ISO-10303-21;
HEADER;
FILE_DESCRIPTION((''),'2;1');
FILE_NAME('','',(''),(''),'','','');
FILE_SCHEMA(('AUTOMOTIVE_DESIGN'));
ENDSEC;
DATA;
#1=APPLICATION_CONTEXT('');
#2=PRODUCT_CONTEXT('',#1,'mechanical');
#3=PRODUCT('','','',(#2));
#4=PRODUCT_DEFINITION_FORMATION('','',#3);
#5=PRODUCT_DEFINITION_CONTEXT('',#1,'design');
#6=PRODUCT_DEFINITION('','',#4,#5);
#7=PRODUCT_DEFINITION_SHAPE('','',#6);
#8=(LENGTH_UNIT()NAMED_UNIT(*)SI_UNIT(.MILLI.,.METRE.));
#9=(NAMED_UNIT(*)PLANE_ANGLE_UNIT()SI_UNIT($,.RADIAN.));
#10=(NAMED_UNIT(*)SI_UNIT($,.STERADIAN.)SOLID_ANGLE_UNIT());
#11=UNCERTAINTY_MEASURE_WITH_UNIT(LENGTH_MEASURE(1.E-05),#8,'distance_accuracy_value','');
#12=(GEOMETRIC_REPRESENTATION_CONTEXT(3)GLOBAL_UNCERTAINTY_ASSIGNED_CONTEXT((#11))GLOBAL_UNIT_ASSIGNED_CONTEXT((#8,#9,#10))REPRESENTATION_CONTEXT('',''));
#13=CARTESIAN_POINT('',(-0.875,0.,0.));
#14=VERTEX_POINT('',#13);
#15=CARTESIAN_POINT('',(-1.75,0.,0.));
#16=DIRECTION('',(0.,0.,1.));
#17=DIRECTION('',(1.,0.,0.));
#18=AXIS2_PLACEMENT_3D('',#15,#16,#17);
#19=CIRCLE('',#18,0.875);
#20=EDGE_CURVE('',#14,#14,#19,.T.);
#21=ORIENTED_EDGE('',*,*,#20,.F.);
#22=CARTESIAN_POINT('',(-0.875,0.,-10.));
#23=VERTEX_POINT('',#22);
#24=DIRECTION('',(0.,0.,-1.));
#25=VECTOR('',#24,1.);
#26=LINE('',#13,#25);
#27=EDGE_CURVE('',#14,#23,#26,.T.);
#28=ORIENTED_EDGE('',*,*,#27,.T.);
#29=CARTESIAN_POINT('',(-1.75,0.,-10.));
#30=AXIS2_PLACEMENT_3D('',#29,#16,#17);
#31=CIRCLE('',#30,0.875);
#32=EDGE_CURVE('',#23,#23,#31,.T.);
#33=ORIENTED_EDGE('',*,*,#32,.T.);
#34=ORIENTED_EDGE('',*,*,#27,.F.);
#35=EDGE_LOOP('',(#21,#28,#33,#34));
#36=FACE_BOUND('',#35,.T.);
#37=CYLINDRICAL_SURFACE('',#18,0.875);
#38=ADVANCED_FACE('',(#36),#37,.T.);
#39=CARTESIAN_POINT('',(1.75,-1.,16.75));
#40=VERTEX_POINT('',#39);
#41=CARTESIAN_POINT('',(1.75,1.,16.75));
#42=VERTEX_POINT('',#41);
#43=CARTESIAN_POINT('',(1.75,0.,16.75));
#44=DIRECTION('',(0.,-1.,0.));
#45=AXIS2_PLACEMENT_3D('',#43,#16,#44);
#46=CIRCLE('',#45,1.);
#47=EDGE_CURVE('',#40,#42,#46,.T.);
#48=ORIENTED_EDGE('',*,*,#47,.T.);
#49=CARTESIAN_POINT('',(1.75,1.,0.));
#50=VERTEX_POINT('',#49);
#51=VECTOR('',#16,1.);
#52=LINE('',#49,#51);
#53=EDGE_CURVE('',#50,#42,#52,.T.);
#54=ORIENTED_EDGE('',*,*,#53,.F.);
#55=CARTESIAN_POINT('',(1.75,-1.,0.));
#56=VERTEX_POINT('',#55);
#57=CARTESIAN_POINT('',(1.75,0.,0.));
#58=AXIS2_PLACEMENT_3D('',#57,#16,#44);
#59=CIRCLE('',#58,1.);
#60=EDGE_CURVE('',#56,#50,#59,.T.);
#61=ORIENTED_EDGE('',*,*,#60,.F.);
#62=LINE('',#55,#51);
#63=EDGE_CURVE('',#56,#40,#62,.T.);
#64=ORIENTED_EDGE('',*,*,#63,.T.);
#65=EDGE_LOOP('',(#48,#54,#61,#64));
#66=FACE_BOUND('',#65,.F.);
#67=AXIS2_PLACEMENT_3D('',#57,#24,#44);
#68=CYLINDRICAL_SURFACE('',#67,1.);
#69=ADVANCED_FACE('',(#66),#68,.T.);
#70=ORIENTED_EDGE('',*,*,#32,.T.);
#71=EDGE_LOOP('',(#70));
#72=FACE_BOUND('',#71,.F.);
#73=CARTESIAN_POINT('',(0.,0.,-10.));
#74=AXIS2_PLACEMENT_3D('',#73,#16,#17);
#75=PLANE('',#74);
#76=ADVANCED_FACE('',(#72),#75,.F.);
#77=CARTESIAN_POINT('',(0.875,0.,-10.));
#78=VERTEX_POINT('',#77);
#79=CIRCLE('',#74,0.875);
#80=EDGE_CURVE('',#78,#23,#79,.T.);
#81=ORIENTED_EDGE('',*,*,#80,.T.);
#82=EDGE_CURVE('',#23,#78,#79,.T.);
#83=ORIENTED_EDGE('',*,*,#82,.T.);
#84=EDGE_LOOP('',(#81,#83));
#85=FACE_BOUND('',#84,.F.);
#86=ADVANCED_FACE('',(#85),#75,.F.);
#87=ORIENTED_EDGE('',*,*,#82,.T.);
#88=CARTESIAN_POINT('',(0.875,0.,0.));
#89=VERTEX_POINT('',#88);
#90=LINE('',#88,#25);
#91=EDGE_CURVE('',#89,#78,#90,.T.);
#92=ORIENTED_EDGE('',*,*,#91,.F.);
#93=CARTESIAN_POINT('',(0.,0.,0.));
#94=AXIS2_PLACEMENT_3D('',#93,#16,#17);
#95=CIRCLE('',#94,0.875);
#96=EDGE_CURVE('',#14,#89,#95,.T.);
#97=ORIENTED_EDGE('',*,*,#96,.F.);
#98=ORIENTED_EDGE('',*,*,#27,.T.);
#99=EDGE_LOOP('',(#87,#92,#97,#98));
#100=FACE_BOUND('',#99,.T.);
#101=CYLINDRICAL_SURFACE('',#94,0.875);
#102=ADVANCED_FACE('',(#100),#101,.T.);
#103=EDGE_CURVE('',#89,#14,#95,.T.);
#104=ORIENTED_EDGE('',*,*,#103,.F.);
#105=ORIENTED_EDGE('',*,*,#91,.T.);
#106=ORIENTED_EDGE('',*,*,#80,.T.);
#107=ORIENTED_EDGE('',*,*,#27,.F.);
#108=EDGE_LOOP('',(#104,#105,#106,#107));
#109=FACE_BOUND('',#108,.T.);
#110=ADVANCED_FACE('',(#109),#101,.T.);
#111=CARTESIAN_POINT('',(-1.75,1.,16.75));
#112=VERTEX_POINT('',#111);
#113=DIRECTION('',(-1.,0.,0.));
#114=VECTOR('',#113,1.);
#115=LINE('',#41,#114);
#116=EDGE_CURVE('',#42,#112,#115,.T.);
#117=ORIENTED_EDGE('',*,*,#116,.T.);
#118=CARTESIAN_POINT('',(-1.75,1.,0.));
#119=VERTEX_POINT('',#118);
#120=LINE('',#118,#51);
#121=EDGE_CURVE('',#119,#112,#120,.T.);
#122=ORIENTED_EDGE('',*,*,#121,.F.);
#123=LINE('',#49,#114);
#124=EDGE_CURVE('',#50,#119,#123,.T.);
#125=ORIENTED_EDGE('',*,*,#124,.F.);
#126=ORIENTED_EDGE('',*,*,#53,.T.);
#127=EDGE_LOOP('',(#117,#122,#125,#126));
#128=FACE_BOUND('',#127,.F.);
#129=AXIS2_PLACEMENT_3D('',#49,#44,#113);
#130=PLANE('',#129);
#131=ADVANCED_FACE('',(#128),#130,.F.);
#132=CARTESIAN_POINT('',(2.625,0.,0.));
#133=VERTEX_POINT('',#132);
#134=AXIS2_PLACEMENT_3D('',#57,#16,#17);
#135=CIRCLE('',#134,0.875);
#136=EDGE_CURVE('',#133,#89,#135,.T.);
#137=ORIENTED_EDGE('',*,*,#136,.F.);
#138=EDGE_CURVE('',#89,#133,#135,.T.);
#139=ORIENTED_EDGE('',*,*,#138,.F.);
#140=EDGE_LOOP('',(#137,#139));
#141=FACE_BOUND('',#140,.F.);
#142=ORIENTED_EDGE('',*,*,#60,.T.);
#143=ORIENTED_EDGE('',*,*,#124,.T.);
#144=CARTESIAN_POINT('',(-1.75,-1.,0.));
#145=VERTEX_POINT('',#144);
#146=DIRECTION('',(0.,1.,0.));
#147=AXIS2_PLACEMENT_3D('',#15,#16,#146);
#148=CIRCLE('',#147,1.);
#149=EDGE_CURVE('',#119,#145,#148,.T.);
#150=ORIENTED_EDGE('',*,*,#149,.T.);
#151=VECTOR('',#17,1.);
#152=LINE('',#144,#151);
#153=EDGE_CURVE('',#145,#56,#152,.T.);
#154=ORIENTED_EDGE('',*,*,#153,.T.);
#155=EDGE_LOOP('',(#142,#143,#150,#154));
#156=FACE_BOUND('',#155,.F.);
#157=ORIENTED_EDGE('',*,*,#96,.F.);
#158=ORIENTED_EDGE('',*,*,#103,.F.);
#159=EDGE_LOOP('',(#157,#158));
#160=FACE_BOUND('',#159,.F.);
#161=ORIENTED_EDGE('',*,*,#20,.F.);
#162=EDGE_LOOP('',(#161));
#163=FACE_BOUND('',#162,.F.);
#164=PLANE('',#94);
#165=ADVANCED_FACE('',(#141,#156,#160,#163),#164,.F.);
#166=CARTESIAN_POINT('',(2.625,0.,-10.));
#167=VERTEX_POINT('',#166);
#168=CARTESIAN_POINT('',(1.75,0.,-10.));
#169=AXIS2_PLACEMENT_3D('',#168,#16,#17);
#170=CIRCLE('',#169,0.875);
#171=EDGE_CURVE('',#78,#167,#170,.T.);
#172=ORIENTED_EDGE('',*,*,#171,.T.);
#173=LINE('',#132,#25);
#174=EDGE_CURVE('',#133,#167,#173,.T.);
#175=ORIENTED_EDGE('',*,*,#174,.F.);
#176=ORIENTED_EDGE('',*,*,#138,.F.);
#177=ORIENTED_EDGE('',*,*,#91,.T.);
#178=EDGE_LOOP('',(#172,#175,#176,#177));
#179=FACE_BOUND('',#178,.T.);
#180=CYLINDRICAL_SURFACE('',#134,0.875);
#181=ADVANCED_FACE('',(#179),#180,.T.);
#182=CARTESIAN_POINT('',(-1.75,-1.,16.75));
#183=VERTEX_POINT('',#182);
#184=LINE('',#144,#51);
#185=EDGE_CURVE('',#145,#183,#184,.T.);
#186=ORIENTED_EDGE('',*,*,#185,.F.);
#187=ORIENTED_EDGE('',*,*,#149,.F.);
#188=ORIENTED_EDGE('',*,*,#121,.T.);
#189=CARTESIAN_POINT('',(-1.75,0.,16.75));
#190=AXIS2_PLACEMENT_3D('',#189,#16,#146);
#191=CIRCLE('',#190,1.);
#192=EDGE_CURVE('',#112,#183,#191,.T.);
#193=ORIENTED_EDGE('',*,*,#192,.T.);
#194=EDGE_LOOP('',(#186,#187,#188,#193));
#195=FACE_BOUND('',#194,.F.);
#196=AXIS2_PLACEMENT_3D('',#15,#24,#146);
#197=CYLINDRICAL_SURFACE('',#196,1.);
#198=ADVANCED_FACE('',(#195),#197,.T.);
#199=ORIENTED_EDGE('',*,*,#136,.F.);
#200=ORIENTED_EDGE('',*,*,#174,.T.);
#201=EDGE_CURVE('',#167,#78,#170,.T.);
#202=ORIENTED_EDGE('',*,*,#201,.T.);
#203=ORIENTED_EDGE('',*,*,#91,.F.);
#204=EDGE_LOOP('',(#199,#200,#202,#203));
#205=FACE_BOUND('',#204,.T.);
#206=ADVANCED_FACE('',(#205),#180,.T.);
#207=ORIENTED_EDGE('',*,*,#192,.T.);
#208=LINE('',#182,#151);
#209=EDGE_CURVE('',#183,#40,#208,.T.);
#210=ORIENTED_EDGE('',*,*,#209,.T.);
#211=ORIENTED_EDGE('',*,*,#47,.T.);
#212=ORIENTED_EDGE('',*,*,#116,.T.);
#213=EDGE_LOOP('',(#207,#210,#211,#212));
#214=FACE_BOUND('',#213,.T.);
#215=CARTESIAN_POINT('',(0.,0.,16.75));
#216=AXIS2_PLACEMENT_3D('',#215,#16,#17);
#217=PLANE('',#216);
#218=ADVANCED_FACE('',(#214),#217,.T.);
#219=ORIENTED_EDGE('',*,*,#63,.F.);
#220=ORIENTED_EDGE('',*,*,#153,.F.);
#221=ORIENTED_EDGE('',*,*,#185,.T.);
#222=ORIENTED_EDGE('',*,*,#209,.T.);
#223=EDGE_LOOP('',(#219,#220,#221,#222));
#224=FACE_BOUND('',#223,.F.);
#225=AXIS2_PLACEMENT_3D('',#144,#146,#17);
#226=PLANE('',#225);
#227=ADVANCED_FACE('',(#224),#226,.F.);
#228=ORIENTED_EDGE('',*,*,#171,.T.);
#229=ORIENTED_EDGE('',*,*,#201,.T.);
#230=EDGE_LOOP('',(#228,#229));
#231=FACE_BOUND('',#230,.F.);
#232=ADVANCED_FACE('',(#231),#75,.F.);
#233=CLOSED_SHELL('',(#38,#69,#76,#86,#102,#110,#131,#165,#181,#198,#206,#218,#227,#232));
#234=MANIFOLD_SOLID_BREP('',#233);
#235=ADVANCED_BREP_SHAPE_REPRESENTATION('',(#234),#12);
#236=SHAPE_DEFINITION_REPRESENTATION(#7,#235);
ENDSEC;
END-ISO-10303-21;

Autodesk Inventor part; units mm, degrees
ref_plane "YZ Plane" through (0, 0, 0) normal (1, 0, 0) x (0, 1, 0)
ref_plane "XZ Plane" through (0, 0, 0) normal (0, 1, 0) x (-1, 0, 0)
ref_plane "XY Plane" through (0, 0, 0) normal (0, 0, 1) x (1, 0, 0)
sketch "Sketch1" plane through (0, 0, 0) normal (0, 0, 1) x (1, 0, 0)
  line L0 (-1.75, 0) -> (1.75, 0) construction
  line L1 (-1.75, -1) -> (1.75, -1)
  line L2 (1.75, 1) -> (-1.75, 1)
  arc A0 (-1.75, 1) -> (-1.75, -1) centre (-1.75, 0) ccw
  arc A1 (1.75, -1) -> (1.75, 1) centre (1.75, 0) ccw
  circle A2 centre (0, 0) radius 0.875
  circle A3 centre (1.75, 0) radius 0.875
  circle A4 centre (-1.75, 0) radius 0.875
  point P0 (-0.875, 0)
  point P1 (0.875, 0)
  dimension "d0" = 1.75
  dimension "d1" = 2
  dimension "d4" = 1.75
  dimension "d5" = 1.75
  dimension "d6" = 1.75
extrude "Extrusion1" add sketch "Sketch1" along normal blind 16.75 contours A0 L2 A1 L1 | A2 | A4 | A3
extrude "Extrusion2" add sketch "Sketch1" against normal blind 10 contours A2 | A4 | A3
properties part number "Cable Sleeve" material "Rubber, Silicone"
